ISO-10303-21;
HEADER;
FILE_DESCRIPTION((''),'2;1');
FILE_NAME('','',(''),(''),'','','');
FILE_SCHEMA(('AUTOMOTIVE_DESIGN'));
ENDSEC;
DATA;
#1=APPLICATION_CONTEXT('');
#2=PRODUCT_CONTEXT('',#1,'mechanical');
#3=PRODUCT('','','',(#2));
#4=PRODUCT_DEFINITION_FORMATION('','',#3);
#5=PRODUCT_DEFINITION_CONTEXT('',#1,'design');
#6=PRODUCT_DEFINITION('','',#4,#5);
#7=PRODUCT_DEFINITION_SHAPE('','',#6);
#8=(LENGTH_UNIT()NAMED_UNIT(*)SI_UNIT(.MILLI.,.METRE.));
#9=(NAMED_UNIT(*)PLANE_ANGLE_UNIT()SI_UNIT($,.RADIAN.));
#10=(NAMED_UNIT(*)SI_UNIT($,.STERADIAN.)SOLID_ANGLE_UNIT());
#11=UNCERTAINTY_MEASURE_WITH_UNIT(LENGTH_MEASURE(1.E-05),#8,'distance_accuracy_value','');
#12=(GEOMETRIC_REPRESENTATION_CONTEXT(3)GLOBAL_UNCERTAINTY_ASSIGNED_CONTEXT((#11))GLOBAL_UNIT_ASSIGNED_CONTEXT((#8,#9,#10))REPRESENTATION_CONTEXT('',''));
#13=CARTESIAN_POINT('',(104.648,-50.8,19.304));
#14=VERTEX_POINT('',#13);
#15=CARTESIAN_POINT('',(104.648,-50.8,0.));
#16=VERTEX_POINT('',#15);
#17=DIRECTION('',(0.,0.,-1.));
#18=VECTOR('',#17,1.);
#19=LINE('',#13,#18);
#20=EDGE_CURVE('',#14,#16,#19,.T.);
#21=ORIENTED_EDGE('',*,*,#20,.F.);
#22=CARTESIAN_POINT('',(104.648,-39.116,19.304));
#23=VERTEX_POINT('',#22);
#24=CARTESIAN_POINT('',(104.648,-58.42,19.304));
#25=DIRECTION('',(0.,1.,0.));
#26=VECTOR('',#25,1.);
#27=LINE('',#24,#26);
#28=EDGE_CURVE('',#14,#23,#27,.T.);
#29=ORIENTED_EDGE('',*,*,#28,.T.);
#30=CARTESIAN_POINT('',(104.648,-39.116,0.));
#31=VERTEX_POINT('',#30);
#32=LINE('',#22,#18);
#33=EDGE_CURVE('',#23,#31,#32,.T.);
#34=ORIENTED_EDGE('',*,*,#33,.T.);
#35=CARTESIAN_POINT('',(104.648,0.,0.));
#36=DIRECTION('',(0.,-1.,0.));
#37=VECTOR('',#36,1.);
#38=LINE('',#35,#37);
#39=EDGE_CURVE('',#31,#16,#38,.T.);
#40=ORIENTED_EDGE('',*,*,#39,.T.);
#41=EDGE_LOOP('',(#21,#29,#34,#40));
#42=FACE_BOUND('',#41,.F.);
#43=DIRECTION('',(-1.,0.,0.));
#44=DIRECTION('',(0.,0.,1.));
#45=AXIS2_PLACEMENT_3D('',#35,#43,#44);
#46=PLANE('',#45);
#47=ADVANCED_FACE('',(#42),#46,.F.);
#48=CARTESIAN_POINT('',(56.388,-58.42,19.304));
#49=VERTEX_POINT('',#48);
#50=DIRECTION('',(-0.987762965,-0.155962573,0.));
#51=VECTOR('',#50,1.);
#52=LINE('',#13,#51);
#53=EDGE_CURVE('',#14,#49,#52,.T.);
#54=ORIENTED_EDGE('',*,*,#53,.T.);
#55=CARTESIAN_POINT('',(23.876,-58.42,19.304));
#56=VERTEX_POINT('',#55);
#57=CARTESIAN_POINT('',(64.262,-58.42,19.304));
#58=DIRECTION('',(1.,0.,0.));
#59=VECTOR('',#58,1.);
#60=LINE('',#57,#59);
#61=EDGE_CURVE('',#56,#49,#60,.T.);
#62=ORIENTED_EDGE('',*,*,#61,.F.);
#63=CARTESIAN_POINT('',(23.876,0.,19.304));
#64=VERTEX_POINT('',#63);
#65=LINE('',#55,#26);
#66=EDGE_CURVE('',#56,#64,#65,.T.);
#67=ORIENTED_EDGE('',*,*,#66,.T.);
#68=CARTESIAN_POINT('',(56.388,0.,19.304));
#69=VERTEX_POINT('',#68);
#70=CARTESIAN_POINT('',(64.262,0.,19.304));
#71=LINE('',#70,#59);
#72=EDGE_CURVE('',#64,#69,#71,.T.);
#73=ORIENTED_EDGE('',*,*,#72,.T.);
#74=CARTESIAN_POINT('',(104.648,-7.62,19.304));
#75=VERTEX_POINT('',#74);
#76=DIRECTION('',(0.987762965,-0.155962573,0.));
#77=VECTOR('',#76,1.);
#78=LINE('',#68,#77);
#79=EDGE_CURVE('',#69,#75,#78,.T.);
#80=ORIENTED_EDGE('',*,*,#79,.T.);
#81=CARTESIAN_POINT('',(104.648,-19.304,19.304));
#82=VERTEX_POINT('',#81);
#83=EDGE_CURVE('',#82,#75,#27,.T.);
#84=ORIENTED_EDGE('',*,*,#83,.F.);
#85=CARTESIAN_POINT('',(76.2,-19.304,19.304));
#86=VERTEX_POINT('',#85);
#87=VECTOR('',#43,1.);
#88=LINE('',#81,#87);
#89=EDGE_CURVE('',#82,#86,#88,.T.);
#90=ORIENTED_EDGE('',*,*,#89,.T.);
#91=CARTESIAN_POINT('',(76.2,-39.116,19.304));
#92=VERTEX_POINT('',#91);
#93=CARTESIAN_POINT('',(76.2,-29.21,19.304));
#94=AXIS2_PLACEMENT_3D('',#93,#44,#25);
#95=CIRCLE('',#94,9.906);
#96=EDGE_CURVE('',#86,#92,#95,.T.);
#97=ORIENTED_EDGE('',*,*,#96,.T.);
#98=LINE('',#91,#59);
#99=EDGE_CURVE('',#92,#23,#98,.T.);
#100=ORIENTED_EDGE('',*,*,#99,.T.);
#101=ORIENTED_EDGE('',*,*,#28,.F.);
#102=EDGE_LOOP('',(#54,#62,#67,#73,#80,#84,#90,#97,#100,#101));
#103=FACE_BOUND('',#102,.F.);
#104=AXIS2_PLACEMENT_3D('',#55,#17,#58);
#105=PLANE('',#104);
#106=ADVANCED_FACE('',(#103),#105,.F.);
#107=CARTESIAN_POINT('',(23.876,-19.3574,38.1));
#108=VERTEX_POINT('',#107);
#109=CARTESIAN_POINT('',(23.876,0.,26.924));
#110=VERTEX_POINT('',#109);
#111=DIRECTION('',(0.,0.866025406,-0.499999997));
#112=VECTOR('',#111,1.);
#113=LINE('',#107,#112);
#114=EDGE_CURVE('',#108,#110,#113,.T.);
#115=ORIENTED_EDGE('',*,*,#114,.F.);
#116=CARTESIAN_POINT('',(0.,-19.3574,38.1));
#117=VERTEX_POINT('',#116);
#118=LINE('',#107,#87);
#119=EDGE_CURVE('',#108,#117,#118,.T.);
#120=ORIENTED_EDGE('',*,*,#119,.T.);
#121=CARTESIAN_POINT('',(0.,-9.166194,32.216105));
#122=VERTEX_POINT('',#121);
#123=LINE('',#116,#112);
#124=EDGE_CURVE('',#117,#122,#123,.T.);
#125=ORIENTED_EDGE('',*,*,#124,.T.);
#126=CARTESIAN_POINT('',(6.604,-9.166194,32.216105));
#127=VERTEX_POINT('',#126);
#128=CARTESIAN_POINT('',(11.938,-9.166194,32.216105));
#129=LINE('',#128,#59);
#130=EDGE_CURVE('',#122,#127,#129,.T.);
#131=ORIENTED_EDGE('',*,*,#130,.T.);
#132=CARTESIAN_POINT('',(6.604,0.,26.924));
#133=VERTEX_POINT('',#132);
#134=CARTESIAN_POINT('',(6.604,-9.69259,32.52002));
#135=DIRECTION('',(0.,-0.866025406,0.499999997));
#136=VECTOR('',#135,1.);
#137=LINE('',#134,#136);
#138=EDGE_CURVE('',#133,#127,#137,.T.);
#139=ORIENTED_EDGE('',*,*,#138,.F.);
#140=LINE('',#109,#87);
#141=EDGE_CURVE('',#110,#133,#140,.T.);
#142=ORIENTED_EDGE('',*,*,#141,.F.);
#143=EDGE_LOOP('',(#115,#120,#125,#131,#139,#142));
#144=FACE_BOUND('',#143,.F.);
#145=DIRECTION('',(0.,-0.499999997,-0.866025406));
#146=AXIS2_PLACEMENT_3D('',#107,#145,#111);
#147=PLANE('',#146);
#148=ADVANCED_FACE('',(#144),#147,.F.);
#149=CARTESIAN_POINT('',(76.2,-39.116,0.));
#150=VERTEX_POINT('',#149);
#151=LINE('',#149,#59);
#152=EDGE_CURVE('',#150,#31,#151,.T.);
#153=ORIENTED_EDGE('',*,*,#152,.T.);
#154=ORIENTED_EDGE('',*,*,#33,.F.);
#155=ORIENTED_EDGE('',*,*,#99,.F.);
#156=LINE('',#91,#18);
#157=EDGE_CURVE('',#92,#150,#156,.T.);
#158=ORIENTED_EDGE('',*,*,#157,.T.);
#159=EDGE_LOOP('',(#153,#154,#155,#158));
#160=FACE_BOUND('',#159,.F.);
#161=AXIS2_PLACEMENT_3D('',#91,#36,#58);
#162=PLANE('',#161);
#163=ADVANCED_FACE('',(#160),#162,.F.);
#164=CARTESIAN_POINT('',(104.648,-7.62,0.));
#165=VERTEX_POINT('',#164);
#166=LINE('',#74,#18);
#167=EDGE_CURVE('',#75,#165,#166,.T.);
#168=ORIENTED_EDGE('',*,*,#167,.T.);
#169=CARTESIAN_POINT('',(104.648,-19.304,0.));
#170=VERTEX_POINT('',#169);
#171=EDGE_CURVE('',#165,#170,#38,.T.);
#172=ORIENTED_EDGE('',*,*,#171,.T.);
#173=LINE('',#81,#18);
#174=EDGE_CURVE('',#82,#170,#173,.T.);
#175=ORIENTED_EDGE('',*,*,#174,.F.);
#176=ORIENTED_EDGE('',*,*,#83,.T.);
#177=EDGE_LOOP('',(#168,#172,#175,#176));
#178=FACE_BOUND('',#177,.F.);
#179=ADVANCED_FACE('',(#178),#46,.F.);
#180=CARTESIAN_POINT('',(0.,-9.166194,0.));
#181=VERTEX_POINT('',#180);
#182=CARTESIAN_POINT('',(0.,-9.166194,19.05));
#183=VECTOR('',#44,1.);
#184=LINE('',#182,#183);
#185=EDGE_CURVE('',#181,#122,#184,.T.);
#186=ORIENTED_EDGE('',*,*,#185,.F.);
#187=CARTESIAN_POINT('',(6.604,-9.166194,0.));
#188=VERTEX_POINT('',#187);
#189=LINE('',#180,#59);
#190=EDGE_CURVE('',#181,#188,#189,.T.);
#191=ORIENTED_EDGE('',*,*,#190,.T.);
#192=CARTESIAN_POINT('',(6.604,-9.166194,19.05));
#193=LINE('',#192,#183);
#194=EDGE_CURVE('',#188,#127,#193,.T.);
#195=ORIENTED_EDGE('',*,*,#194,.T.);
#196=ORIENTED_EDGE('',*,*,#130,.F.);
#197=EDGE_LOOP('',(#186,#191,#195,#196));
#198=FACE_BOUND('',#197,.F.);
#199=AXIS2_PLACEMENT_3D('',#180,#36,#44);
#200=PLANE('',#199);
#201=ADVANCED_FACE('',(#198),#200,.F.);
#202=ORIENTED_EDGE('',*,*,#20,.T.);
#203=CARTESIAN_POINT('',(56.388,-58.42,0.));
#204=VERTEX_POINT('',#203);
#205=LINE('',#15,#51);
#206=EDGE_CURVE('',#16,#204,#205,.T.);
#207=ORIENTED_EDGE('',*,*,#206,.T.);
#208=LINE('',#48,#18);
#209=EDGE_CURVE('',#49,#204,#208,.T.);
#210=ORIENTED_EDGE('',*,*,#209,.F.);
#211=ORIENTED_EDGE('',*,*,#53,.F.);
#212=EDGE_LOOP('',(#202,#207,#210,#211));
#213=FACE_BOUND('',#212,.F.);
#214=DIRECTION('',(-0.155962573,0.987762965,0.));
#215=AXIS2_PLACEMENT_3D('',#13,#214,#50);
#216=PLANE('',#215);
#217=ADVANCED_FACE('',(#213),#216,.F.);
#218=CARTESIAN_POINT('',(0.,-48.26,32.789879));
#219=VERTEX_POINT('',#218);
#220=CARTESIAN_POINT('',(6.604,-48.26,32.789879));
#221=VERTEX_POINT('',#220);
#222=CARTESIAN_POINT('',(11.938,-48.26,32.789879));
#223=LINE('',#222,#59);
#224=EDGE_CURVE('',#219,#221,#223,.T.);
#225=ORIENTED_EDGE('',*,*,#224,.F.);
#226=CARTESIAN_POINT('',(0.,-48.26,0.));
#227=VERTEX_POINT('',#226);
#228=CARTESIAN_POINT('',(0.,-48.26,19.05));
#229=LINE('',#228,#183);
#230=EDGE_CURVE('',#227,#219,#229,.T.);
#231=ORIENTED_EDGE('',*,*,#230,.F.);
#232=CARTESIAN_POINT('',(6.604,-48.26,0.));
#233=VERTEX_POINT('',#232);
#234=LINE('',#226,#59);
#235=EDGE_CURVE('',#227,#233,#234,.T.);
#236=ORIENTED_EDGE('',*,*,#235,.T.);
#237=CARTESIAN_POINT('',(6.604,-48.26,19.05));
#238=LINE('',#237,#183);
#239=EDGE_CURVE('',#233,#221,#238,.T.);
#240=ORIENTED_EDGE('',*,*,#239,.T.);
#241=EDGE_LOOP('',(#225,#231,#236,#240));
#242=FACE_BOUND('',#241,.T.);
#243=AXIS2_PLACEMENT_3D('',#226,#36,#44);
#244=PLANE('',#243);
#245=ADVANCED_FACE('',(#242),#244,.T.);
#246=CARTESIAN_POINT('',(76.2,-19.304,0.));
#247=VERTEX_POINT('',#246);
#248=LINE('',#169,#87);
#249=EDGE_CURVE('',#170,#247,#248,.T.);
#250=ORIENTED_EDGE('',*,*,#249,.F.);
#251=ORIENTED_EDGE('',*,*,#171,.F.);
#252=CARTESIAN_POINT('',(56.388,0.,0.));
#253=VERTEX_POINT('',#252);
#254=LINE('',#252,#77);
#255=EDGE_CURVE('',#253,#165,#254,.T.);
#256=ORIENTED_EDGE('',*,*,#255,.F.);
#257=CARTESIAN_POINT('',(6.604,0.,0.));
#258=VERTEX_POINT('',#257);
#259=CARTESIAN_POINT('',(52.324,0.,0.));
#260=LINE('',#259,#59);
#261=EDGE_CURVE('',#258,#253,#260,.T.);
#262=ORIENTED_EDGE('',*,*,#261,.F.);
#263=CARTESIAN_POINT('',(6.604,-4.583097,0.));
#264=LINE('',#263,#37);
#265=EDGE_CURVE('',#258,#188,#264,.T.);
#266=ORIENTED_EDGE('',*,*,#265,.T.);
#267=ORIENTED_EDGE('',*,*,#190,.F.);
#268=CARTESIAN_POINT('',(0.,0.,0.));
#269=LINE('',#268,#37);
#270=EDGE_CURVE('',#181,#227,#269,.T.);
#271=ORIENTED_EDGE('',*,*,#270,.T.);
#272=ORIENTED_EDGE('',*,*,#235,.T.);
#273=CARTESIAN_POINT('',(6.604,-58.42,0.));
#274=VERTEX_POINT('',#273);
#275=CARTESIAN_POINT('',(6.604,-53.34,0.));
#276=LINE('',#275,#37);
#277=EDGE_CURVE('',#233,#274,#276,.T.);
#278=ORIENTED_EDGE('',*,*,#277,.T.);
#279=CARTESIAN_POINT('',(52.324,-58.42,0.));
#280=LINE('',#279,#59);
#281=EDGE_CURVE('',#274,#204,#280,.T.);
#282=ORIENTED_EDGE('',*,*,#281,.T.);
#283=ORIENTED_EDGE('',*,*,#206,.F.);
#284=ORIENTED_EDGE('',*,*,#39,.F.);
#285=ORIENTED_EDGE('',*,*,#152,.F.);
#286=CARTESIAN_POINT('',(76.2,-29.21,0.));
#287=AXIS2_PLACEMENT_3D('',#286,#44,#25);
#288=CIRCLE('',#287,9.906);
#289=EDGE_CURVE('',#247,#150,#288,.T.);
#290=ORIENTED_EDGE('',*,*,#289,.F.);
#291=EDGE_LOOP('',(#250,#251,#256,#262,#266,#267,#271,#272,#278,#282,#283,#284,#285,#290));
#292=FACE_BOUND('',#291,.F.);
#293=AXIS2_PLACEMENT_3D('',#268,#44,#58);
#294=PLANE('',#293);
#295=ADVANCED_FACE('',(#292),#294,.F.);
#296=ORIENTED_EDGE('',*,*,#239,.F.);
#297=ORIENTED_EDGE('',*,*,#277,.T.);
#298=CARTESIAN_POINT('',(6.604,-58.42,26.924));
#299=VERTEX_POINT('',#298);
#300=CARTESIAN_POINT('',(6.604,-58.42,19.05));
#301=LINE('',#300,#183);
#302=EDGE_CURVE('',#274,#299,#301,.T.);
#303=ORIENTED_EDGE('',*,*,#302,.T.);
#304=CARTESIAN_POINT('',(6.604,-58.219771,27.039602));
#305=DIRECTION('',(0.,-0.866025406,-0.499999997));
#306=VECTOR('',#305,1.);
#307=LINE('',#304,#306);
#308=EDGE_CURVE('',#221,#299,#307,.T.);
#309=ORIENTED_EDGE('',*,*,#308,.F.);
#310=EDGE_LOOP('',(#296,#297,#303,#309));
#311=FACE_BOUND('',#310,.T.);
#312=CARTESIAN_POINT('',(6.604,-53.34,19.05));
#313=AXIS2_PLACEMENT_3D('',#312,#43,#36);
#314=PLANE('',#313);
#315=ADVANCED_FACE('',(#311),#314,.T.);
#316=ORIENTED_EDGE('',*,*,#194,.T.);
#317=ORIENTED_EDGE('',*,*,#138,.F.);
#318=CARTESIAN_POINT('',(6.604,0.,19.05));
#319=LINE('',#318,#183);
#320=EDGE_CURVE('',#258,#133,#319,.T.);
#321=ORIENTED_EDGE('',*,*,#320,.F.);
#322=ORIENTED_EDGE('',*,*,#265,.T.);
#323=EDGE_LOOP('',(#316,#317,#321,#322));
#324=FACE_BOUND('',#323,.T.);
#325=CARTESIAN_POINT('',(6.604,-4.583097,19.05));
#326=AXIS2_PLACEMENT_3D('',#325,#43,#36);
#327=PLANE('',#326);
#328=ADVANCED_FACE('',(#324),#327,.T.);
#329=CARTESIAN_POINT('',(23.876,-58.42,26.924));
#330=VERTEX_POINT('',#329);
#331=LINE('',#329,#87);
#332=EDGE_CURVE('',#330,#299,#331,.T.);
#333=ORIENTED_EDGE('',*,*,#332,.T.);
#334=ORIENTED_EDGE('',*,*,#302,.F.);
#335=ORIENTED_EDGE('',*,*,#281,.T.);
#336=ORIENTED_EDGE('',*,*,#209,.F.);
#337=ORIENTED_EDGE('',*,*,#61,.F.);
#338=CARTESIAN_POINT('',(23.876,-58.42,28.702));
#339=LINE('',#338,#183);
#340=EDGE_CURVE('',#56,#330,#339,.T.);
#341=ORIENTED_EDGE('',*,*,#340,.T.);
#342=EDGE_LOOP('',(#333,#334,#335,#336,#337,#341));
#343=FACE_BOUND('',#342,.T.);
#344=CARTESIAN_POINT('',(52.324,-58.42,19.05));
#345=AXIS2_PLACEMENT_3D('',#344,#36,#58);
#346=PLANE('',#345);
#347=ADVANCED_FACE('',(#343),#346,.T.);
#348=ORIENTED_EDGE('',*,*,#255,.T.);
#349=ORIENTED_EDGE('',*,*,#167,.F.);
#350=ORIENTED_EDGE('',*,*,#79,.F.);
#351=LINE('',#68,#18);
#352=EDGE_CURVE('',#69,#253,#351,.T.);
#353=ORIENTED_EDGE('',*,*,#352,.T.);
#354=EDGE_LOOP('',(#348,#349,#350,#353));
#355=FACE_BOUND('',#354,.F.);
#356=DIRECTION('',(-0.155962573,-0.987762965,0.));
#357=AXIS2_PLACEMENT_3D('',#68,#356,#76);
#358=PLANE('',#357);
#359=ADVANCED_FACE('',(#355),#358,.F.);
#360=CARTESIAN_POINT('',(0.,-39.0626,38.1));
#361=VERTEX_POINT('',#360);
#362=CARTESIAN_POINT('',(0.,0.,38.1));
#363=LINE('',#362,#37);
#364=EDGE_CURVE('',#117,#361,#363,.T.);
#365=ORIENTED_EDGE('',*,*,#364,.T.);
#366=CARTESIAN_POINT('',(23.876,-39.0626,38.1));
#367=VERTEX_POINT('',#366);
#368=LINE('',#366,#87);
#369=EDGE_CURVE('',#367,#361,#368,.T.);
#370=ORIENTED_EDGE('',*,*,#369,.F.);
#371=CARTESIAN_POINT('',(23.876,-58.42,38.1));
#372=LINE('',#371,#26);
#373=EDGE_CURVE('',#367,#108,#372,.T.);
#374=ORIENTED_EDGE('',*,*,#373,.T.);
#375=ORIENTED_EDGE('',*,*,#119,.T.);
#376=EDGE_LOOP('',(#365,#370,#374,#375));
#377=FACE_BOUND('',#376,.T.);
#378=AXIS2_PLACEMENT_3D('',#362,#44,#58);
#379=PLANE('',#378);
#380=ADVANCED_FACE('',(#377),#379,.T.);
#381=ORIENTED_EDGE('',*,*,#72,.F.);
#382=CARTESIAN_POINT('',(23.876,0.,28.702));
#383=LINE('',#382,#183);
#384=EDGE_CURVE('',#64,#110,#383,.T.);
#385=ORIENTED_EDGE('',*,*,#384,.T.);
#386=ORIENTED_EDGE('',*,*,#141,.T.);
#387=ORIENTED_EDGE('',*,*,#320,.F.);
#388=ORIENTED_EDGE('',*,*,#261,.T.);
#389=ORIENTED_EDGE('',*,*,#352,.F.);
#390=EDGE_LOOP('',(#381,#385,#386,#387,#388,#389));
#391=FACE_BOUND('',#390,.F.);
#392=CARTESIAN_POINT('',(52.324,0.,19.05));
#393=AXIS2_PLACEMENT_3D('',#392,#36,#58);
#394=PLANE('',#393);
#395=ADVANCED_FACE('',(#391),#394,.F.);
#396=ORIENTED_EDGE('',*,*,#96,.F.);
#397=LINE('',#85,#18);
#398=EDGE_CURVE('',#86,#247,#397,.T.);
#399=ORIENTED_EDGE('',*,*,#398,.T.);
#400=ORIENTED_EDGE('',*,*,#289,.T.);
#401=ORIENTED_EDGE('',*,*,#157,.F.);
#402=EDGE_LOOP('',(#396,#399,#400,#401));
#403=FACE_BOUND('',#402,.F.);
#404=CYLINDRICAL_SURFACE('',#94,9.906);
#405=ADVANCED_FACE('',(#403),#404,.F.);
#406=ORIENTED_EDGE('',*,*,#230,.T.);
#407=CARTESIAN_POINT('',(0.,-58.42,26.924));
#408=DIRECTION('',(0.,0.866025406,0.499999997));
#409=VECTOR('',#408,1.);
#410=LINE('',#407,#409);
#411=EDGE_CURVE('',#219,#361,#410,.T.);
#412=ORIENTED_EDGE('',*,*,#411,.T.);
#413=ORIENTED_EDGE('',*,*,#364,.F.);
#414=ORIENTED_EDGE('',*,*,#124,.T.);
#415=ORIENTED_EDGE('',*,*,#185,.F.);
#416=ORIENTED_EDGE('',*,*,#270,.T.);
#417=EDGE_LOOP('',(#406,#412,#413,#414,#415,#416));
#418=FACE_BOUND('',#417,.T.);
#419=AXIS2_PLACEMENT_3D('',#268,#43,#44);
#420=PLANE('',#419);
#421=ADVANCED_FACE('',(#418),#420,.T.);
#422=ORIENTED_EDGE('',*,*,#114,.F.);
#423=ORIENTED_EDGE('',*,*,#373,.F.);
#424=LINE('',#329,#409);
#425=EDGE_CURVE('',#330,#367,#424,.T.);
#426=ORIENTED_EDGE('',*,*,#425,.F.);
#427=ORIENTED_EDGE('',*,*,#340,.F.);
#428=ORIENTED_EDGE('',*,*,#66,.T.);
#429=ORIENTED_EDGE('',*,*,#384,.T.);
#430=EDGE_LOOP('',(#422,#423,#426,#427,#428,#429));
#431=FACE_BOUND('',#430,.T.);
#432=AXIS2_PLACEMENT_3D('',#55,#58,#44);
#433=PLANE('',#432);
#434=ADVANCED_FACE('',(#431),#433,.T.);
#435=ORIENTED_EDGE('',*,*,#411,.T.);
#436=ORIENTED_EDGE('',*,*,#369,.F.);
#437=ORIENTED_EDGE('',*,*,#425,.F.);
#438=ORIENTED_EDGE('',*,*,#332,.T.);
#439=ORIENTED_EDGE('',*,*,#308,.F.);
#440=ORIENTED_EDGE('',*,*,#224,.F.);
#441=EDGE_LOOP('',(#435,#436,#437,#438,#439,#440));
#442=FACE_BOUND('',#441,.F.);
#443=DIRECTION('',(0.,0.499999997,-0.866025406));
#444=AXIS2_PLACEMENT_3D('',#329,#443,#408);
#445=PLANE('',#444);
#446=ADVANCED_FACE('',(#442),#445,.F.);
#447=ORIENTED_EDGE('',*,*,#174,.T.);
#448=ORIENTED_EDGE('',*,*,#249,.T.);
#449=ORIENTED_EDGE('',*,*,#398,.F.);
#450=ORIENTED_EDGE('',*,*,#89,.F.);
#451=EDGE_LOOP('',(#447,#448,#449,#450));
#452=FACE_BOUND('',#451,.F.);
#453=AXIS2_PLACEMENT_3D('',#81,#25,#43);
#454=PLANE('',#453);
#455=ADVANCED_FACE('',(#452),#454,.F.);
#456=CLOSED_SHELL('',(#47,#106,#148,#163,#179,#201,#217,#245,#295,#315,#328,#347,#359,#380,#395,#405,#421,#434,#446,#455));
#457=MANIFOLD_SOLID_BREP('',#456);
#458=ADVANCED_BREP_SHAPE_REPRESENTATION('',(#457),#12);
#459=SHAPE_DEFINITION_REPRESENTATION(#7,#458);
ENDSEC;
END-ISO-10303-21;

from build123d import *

# Parameters (mm, degrees)
F0_W      = 104.648
F0_H      = 38.1
F1_DEPTH  = 58.42
F2_W      = 80.772
F2_H      = 18.796
F3_DEPTH  = 58.42
F5_DEPTH  = 19.304
F6_W      = 9.166194
F6_H      = 38.1
F6_W_2    = 10.16
F7_DEPTH  = 6.604
F9_DEPTH  = 23.876
F11_DEPTH = 23.876


with BuildPart() as f1:
    # F0 (on Front) → F1 (new body)
    with BuildSketch(Plane.XZ):
        with Locations((52.324, 19.05)):
            Rectangle(F0_W, F0_H)
    extrude(amount=F1_DEPTH)

    # F2 (on face) → F3 (cut)
    with BuildSketch(Plane.XZ.offset(58.42)):
        with Locations((64.262, 28.702)):
            Rectangle(F2_W, F2_H)
    extrude(amount=-F3_DEPTH, mode=Mode.SUBTRACT)

    # F4 (on face) → F5 (cut)
    with BuildSketch(Plane.XY.offset(19.304)):
        Polygon((104.648, 0), (56.388, 0), (104.648, -7.62), align=None)
        Polygon((76.2, -39.116), (104.648, -39.116), (104.648, -19.304), (76.2, -19.304), (76.2, -29.21), align=None)
        with BuildLine():
            ThreePointArc((76.2, -19.304), (66.294, -29.21), (76.2, -39.116))
            Line((76.2, -39.116), (76.2, -29.21))
            Line((76.2, -29.21), (76.2, -19.304))
        make_face()
        Polygon((56.388, -58.42), (104.648, -58.42), (104.648, -50.8), align=None)
    extrude(amount=-F5_DEPTH, mode=Mode.SUBTRACT)

    # F6 (on face) → F7 (cut)
    with BuildSketch(Plane(origin=(0, 0, 0), x_dir=(0, -1, 0), z_dir=(-1, 0, 0))):
        with Locations((4.583097, 19.05)):
            Rectangle(F6_W, F6_H)
        with Locations((53.34, 19.05)):
            Rectangle(F6_W_2, F6_H)
    extrude(amount=-F7_DEPTH, mode=Mode.SUBTRACT)

    # F8 (on face) → F9 (cut)
    with BuildSketch(Plane.YZ.offset(23.876)):
        Polygon((-19.3574, 38.1), (0, 26.924), (0, 38.1), align=None)
    extrude(amount=-F9_DEPTH, mode=Mode.SUBTRACT)

    # F10 (on face) → F11 (cut)
    with BuildSketch(Plane.YZ.offset(23.876)):
        Polygon((-58.42, 38.1), (-58.42, 26.924), (-39.0626, 38.1), align=None)
    extrude(amount=-F11_DEPTH, mode=Mode.SUBTRACT)


solid = f1.part
